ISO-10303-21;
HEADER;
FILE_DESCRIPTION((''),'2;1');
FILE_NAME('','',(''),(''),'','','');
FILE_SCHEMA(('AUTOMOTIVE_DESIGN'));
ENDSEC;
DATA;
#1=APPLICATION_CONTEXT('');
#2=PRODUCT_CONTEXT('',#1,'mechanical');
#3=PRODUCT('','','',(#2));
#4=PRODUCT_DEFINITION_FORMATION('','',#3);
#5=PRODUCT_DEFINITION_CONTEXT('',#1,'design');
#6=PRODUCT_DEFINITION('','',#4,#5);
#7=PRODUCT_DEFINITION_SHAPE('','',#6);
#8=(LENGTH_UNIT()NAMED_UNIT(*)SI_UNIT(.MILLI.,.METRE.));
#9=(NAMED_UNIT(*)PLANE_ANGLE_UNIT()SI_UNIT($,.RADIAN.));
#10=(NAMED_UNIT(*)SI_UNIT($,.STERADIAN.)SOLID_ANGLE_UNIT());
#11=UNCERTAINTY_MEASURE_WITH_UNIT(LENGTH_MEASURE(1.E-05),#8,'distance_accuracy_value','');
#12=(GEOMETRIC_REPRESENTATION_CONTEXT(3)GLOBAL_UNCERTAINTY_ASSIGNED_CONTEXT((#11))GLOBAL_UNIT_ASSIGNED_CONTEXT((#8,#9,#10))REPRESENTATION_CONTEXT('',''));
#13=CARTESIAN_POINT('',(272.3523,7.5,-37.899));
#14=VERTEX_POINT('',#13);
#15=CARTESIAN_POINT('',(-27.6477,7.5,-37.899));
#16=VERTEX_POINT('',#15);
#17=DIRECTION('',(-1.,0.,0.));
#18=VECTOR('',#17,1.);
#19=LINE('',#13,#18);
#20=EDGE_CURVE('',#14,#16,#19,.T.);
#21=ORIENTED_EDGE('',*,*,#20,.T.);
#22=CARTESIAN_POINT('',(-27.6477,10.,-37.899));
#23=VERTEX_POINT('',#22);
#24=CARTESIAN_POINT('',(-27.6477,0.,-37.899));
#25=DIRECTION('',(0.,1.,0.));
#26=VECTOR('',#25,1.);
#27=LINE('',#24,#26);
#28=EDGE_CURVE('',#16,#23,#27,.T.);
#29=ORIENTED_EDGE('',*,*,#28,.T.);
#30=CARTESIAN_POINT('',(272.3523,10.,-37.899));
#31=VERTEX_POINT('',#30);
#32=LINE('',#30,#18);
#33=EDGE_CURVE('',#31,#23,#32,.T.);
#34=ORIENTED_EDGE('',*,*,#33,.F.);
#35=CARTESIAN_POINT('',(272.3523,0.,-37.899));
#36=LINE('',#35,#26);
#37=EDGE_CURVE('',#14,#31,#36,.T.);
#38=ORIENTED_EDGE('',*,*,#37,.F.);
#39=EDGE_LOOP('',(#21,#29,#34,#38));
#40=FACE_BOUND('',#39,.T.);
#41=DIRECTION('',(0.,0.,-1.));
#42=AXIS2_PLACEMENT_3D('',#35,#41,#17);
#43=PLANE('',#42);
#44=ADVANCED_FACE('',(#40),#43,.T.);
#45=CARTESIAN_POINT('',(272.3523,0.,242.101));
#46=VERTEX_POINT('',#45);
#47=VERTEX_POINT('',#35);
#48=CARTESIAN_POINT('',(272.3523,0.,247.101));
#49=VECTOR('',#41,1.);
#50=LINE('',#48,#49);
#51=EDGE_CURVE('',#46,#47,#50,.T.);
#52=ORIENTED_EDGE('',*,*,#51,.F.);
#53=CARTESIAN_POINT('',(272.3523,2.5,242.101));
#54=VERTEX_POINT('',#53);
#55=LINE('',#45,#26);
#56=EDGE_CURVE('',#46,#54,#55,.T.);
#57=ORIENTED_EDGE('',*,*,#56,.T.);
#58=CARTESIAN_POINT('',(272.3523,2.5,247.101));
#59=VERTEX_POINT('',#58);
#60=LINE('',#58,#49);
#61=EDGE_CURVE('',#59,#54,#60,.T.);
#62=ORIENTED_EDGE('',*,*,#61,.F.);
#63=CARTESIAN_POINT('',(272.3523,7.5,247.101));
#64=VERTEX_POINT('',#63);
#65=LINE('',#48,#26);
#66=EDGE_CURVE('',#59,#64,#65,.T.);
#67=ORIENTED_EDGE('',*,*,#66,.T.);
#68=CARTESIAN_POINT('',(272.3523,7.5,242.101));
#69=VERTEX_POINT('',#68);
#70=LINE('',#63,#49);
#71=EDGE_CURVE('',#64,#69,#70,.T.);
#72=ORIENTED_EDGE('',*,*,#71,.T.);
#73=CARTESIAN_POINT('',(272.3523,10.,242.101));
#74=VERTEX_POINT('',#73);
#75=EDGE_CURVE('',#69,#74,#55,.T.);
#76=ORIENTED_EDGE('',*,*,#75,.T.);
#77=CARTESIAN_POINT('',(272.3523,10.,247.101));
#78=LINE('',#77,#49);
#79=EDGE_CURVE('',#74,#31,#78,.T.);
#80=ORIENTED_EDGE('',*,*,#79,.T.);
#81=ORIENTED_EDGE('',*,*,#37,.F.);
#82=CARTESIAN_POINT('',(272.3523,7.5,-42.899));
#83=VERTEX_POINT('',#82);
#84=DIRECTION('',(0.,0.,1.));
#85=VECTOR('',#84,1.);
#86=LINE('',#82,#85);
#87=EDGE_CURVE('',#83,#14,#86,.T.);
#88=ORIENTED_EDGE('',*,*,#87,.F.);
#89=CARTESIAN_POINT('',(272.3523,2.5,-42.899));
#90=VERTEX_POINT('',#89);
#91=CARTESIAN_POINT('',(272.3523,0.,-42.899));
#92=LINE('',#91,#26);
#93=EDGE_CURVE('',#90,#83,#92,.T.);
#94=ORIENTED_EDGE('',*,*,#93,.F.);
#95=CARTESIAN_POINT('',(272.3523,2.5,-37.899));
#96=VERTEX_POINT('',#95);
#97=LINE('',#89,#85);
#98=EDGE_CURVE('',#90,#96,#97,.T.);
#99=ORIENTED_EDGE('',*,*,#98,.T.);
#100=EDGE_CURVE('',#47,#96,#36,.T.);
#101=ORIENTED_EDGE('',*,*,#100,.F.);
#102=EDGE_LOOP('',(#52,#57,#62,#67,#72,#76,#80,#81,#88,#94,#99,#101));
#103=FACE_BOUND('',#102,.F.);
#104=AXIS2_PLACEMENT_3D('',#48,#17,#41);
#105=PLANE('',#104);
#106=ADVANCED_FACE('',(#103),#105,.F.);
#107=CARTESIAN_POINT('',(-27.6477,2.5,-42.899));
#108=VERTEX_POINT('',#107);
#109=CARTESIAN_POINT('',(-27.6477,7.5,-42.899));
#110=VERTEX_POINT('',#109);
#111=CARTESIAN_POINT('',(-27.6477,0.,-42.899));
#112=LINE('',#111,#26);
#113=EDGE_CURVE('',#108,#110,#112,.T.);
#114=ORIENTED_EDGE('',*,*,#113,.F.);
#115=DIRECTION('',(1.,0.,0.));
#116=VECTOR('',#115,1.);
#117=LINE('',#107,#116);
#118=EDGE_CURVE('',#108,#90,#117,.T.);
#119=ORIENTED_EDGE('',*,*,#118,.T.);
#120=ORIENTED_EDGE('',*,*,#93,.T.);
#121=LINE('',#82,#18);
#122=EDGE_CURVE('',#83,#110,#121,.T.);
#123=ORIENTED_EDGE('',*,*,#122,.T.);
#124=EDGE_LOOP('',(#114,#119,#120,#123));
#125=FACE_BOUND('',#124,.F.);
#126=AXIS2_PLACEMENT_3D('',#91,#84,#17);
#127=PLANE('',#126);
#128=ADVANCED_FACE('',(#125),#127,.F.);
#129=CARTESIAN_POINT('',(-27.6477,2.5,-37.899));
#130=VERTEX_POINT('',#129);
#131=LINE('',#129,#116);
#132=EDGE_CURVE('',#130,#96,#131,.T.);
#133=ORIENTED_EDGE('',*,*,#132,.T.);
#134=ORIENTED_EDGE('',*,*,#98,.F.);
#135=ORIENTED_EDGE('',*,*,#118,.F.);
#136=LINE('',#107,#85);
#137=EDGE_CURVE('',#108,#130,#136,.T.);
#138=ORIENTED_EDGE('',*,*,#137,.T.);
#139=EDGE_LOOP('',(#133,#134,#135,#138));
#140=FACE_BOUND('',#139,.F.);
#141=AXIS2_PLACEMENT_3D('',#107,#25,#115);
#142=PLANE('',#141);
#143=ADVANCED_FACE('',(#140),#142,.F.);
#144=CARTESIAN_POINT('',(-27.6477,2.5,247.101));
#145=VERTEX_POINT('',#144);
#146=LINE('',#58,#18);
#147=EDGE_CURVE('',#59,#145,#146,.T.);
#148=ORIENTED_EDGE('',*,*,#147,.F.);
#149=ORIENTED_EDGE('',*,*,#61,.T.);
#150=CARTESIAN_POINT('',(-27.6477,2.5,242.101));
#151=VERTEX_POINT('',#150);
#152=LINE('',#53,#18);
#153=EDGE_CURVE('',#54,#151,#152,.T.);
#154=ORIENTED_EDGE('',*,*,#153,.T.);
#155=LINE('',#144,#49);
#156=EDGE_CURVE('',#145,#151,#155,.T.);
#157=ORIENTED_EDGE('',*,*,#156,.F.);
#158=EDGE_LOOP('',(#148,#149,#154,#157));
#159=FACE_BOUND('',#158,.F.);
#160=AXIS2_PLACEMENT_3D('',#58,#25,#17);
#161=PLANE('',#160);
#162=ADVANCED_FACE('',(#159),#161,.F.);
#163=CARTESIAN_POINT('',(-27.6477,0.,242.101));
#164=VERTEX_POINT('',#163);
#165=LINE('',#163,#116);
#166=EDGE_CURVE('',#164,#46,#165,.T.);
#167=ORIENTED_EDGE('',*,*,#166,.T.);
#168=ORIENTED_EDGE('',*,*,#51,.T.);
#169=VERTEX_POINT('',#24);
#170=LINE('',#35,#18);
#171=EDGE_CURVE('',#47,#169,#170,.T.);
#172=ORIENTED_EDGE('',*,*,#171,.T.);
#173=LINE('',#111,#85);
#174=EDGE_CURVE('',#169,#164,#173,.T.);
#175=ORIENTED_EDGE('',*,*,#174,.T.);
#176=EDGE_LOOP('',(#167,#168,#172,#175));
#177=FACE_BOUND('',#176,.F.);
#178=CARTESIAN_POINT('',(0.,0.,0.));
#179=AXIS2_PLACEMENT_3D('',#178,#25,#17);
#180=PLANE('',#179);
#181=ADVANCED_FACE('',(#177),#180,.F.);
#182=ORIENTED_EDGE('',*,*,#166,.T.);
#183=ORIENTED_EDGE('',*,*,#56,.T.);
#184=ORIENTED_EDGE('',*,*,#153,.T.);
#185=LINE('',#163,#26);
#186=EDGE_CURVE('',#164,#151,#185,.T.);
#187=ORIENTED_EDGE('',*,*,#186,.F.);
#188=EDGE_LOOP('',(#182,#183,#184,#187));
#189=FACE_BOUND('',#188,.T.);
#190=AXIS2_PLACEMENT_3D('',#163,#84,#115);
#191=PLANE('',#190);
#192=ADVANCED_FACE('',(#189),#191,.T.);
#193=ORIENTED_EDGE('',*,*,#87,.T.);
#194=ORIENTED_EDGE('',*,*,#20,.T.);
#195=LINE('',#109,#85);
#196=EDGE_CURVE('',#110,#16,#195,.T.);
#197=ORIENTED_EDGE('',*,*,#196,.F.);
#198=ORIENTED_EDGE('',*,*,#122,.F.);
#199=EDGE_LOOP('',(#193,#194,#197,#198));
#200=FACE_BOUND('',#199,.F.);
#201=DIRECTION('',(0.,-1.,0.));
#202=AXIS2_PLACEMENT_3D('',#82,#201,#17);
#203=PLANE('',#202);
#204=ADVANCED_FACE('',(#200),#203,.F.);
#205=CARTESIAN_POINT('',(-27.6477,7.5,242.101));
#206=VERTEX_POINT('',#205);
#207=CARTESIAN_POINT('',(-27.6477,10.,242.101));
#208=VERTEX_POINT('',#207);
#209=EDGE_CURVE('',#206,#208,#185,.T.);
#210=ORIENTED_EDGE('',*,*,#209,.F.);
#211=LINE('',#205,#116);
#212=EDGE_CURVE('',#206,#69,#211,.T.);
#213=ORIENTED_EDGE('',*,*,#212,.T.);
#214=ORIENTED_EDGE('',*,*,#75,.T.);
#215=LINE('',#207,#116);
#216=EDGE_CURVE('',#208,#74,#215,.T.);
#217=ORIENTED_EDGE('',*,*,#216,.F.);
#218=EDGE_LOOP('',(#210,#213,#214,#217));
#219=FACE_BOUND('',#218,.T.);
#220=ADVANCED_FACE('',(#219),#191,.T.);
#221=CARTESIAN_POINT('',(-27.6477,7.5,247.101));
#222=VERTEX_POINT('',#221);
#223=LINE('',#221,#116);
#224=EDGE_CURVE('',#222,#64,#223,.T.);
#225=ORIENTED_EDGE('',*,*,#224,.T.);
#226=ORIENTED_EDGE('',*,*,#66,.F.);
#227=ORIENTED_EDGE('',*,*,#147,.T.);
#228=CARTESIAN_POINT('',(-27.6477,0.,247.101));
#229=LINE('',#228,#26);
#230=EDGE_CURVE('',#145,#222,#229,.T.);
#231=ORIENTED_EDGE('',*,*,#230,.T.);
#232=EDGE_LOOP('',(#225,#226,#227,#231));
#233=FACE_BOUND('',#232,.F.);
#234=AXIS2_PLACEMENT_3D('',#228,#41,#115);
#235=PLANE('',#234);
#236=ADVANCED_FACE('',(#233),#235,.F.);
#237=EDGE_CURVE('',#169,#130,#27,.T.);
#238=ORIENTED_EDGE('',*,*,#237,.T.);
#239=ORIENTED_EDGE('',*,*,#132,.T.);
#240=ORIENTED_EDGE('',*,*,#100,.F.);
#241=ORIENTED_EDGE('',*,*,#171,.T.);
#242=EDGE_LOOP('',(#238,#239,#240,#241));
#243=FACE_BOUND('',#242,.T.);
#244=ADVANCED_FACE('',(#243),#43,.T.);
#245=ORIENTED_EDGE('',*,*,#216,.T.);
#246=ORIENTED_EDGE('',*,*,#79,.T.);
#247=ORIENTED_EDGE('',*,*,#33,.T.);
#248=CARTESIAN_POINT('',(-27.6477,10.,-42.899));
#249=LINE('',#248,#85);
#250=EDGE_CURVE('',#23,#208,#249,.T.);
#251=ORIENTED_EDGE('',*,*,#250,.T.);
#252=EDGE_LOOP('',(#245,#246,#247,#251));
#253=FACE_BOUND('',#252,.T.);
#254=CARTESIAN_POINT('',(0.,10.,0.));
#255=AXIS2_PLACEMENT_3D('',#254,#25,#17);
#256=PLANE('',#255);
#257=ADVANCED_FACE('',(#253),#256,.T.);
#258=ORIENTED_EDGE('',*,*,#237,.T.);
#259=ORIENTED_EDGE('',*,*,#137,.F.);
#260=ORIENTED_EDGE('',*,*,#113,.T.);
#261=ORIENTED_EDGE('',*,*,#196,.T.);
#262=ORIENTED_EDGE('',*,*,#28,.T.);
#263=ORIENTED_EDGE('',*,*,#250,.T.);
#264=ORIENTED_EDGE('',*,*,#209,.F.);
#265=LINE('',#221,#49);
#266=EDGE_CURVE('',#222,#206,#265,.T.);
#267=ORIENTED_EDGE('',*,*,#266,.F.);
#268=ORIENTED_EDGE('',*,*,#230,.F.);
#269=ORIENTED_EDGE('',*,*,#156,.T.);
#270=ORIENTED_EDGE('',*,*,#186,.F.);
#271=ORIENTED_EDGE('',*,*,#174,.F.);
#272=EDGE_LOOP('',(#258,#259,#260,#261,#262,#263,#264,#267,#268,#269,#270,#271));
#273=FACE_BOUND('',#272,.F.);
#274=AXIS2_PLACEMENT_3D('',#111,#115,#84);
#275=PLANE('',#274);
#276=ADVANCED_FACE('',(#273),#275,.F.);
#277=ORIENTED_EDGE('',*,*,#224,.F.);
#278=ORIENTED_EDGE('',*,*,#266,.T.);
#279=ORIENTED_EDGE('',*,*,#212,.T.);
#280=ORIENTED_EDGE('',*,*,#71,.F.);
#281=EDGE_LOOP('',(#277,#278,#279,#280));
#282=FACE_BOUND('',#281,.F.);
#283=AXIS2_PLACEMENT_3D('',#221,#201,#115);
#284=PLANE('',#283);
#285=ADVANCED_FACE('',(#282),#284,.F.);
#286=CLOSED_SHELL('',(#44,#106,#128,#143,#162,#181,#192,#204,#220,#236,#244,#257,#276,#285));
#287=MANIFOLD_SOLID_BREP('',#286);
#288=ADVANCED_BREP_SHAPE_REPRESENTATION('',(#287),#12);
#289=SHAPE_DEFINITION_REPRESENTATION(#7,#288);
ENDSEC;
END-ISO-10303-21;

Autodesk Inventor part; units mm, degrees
ref_plane "YZ Plane" through (0, 0, 0) normal (1, 0, 0) x (0, 1, 0)
ref_plane "XZ Plane" through (0, 0, 0) normal (0, 1, 0) x (-1, 0, 0)
ref_plane "XY Plane" through (0, 0, 0) normal (0, 0, 1) x (1, 0, 0)
sketch "Skizze2" plane through (0, 0, 0) normal (0, 1, 0) x (-1, 0, 0)
  line L0 (27.6477, 247.101) -> (-272.3523, 247.101)
  line L1 (-272.3523, 247.101) -> (-272.3523, -42.899)
  line L2 (-272.3523, -42.899) -> (27.6477, -42.899)
  line L3 (27.6477, -42.899) -> (27.6477, 247.101)
  point P0 (0, 0)
  dimension "d1" = 290
  dimension "d2" = 300
extrude "Extrusion1" add sketch "Skizze2" along normal blind 10
sketch "Skizze3" plane through (-27.6477, 0, 247.101) normal (0, 0, 1) x (1, 0, 0)
  point P0 (27.6477, 0)
sketch "Skizze4" plane through (-27.6477, 0, 247.101) normal (0, 0, 1) x (1, 0, 0)
  line L0 (0, 10) -> (300, 10) projected
  line L1 (0, 0) -> (0, 10) projected
  line L2 (300, 0) -> (300, 10) projected
  line L3 (0, 7.5) -> (300, 7.5)
  line L4 (300, 7.5) -> (300, 2.5)
  line L5 (300, 2.5) -> (0, 2.5)
  line L6 (0, 2.5) -> (0, 7.5)
  line L7 (0, 0) -> (300, 0) projected
  line L8 (0, 10) -> (300, 10)
  line L9 (300, 10) -> (300, 0)
  line L10 (300, 0) -> (0, 0)
  line L11 (0, 0) -> (0, 10)
  dimension "d8" = 2.5
  dimension "d9" = 2.5
extrude "Extrusion2" cut sketch "Skizze4" against normal blind 5 contours L0 L2 L3 L1 | L5 L2 L7 L1
sketch "Skizze5" plane through (272.3523, 0, -42.899) normal (0, 0, -1) x (-1, 0, 0)
  line L0 (0, 0) -> (0, 10) projected
  line L1 (0, 7.5) -> (300, 7.5)
  line L2 (300, 7.5) -> (300, 2.5)
  line L3 (300, 2.5) -> (0, 2.5)
  line L4 (0, 2.5) -> (0, 7.5)
  line L5 (0, 10) -> (300, 10) projected
  line L6 (0, 0) -> (300, 0) projected
  line L7 (300, 10) -> (0, 10) projected
  line L8 (300, 10) -> (0, 10)
  line L9 (0, 10) -> (0, 0)
  line L10 (0, 0) -> (300, 0)
  line L11 (300, 0) -> (300, 10)
  point P0 (272.3523, 0)
  dimension "d12" = 2.5
  dimension "d13" = 2.5
extrude "Extrusion3" cut sketch "Skizze5" against normal blind 5 contours L0 L3 L11 L6 | L0 L5 L11 L1
properties material "Holz (Ahorn)"
